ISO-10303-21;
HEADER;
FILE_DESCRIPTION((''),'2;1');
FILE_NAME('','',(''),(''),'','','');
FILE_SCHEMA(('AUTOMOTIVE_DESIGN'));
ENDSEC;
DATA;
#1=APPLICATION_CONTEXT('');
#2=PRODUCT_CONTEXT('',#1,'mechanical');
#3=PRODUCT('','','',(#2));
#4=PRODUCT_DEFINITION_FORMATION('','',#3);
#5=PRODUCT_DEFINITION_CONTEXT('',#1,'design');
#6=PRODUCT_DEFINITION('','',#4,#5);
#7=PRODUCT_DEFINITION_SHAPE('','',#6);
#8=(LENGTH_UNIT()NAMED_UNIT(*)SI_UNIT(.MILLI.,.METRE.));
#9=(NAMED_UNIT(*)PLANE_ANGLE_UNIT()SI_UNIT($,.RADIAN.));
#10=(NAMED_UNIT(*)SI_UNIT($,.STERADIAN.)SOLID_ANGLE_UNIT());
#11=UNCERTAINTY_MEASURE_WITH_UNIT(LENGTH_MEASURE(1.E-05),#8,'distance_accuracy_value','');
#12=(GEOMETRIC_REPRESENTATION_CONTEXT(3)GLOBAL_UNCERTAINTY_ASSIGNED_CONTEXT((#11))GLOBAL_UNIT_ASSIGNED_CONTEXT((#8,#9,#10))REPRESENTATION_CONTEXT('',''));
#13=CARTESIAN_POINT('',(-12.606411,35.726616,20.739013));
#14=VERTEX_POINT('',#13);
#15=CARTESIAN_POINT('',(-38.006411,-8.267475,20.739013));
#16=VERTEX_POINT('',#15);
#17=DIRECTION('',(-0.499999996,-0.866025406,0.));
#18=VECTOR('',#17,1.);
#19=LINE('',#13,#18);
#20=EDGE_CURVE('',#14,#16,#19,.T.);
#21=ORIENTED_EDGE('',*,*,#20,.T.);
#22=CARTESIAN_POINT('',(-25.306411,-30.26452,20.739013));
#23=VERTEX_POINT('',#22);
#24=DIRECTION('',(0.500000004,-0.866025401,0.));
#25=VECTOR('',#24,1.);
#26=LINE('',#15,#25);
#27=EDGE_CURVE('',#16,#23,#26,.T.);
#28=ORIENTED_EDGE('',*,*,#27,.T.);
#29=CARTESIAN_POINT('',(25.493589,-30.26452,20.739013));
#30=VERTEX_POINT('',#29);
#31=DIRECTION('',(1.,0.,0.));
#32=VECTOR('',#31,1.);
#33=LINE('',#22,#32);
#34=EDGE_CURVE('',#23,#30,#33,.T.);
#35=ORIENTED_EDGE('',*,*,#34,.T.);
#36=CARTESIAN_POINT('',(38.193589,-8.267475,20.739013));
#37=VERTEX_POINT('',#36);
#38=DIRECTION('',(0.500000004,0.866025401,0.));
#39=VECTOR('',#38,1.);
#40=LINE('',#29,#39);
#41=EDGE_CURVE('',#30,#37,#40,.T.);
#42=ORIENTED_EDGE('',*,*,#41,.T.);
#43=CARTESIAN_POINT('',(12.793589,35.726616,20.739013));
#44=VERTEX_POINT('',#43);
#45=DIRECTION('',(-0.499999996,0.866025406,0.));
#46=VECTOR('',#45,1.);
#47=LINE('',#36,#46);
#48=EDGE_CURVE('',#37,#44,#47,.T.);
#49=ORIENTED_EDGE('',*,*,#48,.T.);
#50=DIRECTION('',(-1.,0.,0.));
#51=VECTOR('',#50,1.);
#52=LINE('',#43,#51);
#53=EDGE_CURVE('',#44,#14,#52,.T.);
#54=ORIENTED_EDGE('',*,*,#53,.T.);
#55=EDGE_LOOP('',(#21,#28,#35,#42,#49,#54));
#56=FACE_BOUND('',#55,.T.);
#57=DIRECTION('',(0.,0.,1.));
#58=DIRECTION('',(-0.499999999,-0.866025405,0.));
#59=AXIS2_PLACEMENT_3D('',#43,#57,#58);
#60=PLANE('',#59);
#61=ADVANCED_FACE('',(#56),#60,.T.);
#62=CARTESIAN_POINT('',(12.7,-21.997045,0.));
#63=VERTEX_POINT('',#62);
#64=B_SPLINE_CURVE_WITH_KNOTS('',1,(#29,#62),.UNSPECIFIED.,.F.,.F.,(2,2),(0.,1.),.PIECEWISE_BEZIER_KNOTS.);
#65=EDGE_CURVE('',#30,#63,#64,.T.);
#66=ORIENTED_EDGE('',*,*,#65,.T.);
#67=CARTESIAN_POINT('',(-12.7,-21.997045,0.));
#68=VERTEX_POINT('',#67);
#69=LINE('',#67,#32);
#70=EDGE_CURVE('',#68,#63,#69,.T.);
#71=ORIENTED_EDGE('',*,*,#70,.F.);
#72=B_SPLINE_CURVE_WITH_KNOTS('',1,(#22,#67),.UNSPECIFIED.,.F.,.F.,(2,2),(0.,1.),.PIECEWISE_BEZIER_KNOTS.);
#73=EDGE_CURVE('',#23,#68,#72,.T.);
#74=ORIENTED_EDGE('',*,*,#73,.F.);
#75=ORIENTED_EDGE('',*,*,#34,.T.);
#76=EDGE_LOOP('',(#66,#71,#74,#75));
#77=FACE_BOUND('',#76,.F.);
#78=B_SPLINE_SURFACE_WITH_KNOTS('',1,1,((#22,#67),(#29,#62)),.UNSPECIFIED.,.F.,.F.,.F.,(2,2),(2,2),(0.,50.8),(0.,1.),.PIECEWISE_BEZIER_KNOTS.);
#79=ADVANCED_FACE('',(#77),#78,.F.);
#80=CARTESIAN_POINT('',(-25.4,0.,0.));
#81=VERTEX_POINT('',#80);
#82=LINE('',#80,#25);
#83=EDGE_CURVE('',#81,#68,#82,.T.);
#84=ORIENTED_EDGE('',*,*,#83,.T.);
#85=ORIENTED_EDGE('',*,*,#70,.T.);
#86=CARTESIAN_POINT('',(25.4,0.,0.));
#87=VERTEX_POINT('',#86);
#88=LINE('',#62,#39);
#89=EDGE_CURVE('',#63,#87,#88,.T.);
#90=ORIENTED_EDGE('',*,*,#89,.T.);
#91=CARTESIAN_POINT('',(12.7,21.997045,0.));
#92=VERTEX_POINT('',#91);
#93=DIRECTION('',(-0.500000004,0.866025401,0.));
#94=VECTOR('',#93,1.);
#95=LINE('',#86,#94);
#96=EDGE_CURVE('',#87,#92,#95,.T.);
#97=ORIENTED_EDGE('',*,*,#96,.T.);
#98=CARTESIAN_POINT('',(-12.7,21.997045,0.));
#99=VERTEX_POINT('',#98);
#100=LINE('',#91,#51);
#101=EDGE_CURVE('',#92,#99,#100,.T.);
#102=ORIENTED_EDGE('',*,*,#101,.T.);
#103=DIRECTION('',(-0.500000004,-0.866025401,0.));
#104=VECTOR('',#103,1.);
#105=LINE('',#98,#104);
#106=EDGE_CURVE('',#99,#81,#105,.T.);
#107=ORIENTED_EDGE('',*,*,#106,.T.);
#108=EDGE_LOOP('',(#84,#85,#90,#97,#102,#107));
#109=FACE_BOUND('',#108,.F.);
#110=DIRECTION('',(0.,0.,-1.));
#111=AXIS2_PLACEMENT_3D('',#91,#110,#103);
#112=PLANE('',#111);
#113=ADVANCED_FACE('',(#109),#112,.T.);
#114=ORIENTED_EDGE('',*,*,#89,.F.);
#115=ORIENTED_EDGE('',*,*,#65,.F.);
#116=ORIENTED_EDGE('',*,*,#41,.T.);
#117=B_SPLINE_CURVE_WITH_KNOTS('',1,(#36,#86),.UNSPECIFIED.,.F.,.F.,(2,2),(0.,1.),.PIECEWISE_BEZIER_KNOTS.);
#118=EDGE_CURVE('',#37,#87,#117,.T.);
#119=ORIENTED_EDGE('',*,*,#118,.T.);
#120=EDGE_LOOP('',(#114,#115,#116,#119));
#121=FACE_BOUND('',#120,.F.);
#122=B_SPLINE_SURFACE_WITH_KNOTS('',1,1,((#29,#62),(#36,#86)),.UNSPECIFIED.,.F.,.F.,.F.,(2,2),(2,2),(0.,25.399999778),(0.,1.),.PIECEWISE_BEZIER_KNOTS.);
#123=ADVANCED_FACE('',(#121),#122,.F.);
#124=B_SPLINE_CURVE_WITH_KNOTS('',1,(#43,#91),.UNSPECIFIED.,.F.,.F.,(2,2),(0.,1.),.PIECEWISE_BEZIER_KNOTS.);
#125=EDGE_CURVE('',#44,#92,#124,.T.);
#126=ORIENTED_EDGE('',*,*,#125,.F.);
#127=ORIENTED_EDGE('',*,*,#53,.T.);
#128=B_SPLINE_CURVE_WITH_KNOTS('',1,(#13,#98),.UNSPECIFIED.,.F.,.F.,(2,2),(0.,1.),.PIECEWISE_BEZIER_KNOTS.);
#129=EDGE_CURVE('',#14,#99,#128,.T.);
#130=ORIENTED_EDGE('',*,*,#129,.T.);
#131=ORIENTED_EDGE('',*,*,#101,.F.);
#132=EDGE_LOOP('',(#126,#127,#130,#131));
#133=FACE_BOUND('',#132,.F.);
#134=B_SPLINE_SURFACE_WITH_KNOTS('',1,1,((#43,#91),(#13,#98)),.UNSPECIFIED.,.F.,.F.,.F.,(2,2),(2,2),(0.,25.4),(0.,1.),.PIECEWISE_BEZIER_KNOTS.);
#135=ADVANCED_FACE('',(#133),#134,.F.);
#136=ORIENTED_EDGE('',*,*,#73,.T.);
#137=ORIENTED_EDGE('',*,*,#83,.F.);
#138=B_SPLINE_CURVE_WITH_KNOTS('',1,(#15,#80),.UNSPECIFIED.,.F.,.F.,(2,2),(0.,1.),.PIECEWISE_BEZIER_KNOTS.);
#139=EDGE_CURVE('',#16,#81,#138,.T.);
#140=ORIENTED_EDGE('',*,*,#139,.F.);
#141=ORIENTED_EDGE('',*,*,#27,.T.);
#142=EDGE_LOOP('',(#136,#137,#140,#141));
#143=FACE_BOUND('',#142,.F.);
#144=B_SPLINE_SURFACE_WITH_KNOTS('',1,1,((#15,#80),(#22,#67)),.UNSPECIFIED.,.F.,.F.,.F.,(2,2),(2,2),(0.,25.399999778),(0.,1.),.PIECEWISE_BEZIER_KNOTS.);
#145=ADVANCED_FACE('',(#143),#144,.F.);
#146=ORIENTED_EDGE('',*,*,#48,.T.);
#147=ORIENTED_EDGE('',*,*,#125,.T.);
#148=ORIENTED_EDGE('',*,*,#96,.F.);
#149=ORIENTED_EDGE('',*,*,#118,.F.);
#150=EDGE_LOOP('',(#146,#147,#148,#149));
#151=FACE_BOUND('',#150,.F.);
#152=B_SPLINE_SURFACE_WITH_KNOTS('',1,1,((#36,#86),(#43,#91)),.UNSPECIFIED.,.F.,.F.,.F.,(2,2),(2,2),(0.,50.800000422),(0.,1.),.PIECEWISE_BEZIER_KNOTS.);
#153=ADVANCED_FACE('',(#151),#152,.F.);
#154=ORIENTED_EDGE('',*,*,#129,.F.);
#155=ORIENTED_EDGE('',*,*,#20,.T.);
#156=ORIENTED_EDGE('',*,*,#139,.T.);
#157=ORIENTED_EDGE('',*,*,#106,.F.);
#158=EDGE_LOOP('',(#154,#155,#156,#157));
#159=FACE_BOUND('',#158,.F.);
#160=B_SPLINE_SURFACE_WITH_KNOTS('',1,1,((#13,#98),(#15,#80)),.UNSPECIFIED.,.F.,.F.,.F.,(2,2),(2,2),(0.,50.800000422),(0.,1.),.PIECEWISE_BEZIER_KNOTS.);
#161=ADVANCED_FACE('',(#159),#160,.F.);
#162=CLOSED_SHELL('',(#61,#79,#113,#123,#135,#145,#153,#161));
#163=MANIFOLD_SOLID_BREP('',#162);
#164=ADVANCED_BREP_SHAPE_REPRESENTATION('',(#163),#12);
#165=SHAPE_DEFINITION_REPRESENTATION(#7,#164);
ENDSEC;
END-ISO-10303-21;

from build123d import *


with BuildPart() as f3:
    # F2 (on offset) → F3 section 0
    with BuildSketch(Plane.XY.offset(20.739013)):
        Polygon((12.793589, 35.726616), (-12.606411, 35.726616), (-38.006411, -8.267475), (-25.306411, -30.26452), (25.493589, -30.26452), (38.193589, -8.267475), align=None)
    # F0 (on Top) → F3 section 1
    with BuildSketch(Plane.XY):
        Polygon((12.7, -21.997045), (25.4, 0), (12.7, 21.997045), (-12.7, 21.997045), (-25.4, 0), (-12.7, -21.997045), align=None)
    loft()


solid = f3.part
